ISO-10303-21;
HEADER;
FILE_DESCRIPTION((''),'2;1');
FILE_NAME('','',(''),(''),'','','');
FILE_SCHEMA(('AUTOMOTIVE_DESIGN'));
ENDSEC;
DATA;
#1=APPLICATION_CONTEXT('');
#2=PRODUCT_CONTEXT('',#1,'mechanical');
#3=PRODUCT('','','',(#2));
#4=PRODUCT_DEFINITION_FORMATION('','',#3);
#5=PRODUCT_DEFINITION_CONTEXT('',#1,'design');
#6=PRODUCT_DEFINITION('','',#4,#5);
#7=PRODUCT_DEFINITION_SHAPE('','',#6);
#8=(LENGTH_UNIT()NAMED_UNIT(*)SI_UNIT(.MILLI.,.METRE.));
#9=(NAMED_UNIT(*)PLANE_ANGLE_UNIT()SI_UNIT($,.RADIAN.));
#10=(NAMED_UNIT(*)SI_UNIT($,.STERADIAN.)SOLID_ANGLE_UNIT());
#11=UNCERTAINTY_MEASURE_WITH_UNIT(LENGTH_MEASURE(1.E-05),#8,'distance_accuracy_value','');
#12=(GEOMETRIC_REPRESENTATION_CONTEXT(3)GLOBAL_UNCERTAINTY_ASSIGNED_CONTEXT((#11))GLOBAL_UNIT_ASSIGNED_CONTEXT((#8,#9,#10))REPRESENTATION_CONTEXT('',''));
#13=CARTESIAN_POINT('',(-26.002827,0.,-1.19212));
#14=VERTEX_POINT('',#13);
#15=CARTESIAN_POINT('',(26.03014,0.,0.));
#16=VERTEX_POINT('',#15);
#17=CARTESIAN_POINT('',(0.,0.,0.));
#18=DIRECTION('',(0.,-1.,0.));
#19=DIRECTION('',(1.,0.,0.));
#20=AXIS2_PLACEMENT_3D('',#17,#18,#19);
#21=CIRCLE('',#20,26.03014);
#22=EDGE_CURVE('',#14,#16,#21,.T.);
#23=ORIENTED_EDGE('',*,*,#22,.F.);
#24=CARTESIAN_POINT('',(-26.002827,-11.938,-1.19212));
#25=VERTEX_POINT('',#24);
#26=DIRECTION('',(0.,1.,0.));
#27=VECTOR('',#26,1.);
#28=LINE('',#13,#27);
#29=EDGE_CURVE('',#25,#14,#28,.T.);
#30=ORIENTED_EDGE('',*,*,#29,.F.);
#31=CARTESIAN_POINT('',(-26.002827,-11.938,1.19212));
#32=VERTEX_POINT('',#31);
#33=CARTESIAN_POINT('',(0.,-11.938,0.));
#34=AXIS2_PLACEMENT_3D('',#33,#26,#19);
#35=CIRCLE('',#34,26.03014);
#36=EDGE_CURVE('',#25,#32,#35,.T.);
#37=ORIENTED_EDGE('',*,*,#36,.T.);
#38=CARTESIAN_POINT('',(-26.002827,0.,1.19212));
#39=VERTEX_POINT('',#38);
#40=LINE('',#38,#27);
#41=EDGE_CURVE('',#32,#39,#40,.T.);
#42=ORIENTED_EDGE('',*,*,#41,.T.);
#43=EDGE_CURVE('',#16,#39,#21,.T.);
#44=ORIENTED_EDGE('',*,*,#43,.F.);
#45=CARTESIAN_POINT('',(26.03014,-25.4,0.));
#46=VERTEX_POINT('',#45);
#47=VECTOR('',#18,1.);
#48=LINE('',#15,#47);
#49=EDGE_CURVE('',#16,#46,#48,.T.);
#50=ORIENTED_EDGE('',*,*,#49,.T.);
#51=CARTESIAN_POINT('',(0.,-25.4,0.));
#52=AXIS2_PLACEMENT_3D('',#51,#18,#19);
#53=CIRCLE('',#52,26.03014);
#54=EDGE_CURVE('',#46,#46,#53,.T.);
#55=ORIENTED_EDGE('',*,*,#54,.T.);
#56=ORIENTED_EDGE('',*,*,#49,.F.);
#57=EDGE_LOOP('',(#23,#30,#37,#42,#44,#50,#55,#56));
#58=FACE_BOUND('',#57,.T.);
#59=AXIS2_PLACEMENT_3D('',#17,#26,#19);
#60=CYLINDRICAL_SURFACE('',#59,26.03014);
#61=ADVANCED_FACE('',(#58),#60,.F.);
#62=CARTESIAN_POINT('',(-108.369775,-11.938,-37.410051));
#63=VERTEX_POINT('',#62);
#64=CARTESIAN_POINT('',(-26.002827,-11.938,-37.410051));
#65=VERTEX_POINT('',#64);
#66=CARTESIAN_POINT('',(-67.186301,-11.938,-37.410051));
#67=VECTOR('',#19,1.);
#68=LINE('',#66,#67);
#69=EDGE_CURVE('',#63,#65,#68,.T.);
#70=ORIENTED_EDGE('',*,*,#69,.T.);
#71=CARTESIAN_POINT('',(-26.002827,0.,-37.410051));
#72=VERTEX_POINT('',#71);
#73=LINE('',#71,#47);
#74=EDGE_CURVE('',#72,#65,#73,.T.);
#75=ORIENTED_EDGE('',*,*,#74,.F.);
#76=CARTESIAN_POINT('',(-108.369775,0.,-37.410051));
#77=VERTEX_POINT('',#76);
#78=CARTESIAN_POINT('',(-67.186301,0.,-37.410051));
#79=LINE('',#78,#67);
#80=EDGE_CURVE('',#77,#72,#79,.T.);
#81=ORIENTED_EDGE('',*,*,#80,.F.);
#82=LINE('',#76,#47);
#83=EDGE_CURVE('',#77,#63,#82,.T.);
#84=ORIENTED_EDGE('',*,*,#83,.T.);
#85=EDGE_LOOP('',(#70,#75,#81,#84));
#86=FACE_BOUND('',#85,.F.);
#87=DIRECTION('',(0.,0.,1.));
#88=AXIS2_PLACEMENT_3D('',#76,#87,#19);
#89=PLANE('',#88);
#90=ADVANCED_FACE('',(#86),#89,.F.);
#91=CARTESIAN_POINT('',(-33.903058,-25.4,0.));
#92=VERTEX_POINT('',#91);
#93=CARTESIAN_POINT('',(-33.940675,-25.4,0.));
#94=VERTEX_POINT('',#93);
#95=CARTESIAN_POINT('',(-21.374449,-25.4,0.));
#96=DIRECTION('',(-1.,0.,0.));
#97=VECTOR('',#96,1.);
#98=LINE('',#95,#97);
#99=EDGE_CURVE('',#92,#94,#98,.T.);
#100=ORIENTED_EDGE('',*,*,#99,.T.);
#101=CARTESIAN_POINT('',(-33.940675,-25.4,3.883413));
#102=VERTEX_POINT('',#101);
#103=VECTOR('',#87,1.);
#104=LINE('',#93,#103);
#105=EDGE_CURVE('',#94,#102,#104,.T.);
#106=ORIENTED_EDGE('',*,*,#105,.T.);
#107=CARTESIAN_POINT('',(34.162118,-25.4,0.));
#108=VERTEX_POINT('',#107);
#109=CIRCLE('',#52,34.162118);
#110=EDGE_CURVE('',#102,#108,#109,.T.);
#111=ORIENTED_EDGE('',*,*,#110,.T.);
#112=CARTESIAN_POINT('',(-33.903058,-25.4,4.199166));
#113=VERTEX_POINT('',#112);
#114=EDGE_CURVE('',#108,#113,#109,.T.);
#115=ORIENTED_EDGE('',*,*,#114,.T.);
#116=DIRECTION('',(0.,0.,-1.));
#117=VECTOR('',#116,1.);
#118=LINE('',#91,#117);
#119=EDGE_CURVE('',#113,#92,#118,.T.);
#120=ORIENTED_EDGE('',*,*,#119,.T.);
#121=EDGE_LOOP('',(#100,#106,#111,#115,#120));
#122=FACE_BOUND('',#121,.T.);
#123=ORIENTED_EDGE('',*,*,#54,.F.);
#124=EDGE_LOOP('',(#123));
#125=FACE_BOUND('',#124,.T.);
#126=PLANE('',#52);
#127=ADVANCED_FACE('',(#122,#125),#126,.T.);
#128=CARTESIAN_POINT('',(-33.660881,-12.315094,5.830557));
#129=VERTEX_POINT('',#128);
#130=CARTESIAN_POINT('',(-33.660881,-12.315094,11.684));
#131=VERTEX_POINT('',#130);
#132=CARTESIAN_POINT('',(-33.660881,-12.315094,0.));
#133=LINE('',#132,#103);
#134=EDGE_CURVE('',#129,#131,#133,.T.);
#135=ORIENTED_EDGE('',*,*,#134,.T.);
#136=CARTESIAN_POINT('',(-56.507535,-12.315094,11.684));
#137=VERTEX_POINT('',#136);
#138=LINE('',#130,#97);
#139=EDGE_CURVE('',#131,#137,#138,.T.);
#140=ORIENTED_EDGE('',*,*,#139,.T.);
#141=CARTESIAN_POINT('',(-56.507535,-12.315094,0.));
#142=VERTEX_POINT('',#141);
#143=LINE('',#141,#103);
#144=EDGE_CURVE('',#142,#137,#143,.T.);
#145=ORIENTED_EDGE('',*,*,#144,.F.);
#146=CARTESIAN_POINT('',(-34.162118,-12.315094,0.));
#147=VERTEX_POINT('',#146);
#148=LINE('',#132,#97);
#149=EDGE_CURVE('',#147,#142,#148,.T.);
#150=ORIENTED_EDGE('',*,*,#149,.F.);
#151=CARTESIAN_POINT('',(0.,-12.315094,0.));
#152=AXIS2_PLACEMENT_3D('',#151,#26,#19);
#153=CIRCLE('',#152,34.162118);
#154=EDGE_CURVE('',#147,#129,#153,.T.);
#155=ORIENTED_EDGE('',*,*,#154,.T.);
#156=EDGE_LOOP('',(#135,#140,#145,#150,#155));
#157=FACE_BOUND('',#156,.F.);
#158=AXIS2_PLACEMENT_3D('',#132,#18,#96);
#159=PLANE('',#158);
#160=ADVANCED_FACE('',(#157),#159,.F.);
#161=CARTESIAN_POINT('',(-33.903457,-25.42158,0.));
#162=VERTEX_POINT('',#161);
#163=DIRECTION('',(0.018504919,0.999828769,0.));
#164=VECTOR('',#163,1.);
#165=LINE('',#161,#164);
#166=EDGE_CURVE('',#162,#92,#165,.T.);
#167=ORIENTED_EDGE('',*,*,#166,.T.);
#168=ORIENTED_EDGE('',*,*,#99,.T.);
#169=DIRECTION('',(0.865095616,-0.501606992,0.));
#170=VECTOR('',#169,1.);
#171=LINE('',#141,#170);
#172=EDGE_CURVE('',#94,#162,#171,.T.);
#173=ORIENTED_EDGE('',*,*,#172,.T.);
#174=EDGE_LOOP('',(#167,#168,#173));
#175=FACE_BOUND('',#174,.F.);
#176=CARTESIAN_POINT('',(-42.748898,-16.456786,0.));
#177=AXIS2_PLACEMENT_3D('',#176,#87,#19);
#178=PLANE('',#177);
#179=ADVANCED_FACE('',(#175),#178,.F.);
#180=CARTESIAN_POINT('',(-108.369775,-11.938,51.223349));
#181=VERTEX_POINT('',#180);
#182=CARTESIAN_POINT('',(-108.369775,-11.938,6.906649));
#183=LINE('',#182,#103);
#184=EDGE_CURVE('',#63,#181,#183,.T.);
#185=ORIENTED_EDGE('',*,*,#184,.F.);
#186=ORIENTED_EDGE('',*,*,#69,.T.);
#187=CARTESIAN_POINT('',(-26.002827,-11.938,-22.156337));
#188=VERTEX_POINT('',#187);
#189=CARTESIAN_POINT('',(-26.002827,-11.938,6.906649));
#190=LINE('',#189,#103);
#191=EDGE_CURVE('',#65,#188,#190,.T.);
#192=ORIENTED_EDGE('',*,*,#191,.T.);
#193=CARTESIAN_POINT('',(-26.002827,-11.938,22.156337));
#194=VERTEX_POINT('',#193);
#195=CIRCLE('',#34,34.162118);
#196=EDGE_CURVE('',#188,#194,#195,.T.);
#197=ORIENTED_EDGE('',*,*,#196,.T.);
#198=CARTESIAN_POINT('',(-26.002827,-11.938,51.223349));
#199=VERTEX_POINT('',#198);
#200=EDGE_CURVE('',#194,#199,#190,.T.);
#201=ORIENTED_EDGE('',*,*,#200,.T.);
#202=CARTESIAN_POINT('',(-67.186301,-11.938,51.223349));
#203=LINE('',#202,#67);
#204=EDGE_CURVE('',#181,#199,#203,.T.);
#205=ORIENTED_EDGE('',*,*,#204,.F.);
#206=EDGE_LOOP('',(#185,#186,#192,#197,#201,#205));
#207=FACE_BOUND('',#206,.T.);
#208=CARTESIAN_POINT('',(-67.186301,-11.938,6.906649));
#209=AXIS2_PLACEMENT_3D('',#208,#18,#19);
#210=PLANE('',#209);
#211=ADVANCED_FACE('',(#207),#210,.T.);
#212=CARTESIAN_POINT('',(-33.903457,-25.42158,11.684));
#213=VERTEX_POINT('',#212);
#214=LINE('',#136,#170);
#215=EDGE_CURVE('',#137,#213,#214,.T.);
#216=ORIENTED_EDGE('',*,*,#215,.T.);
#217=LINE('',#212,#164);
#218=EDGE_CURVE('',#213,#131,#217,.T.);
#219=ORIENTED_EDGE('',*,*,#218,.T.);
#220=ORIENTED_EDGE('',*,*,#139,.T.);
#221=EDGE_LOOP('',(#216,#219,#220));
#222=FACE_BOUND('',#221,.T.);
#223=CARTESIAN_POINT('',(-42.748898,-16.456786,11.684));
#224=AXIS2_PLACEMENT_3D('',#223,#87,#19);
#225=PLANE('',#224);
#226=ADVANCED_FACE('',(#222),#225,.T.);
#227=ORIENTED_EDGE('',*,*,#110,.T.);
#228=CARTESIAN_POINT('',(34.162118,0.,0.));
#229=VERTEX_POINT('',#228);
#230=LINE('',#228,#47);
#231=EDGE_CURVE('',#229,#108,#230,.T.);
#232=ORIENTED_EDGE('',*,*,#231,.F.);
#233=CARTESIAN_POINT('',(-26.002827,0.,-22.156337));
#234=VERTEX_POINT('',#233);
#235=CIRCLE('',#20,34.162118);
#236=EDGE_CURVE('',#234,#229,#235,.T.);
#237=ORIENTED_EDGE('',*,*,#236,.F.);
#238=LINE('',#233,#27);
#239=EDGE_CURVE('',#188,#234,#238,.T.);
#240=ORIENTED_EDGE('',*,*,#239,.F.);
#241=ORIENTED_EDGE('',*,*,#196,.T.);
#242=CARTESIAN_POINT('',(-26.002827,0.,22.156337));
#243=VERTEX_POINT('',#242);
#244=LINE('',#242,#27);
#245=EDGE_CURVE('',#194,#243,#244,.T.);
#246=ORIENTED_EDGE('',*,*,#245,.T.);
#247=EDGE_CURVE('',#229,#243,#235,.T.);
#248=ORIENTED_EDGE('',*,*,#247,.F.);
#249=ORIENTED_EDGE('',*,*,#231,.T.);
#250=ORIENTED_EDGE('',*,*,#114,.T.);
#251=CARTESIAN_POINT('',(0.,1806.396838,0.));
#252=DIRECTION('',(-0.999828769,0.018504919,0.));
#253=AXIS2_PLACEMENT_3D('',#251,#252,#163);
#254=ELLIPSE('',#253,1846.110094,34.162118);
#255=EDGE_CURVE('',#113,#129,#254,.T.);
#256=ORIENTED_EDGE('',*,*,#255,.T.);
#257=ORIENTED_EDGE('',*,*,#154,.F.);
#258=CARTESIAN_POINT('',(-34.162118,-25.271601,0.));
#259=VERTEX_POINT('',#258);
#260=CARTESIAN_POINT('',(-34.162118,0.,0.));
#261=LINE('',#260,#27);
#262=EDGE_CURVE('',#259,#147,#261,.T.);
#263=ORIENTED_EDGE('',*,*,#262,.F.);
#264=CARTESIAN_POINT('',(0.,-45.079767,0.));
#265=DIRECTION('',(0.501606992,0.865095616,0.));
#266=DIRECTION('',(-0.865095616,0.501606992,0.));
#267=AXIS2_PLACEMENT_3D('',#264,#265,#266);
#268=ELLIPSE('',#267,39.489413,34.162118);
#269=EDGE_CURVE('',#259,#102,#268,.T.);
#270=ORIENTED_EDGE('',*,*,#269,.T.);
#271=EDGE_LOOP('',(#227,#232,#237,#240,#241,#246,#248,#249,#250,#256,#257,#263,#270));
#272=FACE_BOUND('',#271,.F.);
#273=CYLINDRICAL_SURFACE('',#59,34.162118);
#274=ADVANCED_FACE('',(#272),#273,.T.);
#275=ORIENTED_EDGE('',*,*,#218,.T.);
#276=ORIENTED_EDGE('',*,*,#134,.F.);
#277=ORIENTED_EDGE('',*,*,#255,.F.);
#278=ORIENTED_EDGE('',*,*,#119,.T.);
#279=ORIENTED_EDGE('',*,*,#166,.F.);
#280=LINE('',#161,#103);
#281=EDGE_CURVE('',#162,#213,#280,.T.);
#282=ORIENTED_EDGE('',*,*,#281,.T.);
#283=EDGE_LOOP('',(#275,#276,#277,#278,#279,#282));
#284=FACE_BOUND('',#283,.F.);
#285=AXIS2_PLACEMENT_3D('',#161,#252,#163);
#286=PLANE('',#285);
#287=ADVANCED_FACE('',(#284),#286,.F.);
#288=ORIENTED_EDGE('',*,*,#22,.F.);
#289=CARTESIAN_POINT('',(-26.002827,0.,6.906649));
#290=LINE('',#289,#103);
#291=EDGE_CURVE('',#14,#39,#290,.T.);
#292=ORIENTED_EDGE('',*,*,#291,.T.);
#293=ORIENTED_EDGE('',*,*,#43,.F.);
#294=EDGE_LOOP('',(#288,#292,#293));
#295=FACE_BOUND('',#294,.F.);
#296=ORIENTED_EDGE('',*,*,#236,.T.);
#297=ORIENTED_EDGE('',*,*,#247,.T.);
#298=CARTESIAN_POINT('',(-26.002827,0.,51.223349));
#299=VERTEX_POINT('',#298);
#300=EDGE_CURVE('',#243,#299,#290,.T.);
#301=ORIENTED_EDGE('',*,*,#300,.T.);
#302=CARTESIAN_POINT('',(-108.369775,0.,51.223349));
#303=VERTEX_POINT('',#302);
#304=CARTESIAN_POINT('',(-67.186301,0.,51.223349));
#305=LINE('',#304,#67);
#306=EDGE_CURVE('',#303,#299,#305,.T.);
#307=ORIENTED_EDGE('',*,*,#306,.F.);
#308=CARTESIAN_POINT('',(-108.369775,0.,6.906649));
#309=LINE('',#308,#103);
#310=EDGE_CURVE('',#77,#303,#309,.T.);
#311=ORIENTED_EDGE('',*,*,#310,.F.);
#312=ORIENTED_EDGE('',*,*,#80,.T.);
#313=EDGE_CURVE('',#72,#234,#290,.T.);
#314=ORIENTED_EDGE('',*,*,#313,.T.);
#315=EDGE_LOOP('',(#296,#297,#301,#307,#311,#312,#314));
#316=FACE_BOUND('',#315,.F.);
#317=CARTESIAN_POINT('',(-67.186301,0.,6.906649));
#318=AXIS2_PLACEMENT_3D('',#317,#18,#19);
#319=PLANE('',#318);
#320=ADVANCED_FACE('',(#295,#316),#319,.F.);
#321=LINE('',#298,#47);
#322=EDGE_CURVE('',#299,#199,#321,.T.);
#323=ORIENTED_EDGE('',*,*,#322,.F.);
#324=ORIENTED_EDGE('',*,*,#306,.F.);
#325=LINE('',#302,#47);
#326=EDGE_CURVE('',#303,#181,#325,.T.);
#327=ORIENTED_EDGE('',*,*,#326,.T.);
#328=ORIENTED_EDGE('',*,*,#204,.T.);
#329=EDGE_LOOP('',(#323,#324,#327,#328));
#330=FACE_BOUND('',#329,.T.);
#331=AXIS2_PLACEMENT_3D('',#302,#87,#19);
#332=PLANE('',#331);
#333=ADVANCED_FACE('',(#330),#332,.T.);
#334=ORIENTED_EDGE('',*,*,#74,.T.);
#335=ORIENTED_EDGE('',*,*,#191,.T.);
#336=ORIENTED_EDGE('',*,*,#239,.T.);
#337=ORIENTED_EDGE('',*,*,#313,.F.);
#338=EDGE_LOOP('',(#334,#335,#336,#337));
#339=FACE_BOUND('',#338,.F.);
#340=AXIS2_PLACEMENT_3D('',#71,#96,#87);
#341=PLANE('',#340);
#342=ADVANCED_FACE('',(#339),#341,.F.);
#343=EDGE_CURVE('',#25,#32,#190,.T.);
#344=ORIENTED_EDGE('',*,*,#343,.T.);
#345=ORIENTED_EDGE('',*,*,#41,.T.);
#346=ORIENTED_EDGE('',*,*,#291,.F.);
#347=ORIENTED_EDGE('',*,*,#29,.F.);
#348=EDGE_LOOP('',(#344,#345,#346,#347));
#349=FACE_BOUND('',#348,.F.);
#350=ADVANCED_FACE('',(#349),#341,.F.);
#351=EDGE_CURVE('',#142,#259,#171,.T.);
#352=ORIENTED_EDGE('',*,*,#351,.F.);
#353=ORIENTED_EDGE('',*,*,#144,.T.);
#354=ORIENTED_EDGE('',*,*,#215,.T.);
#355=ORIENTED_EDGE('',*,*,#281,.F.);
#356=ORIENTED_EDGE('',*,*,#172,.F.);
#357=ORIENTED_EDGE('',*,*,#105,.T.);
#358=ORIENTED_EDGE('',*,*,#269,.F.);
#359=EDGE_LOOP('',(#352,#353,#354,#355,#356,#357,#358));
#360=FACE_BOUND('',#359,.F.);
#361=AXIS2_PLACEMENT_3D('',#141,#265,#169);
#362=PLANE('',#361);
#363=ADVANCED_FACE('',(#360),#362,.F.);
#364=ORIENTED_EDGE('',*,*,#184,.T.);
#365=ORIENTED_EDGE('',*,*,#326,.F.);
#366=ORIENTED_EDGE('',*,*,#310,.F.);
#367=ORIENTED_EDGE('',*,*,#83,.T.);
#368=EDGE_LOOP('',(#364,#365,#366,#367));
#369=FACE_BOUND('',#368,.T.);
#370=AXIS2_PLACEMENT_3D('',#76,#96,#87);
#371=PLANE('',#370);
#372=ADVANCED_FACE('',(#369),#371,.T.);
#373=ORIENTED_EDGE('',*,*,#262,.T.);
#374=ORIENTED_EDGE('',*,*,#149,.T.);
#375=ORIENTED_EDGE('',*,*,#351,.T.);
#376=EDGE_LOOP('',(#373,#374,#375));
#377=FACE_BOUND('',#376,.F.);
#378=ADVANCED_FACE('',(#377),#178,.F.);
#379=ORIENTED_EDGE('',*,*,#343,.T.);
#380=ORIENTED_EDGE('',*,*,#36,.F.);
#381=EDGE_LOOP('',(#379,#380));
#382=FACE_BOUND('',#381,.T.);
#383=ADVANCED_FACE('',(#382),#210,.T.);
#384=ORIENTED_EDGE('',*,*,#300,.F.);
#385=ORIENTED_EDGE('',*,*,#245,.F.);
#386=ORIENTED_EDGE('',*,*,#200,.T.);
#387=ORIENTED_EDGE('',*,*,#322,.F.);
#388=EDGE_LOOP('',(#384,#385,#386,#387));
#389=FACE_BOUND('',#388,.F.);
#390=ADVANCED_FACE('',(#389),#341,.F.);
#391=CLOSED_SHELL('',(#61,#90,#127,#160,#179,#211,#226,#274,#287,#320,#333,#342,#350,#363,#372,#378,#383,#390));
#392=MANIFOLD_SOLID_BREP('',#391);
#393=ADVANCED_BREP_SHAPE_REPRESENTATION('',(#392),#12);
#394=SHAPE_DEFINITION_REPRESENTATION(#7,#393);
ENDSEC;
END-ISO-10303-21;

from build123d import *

# Parameters (mm, degrees)
F0_R     = 34.162118
F0_R_2   = 26.03014
F1_DEPTH = 25.4
F2_W     = 82.366947
F2_H     = 88.6334
F3_DEPTH = 11.938
F5_DEPTH = 11.684


with BuildPart() as f1:
    # F0 (on Front) → F1 (new body)
    with BuildSketch(Plane.XZ):
        Circle(F0_R)
        Circle(F0_R_2, mode=Mode.SUBTRACT)
    extrude(amount=F1_DEPTH)

    # F2 (on Front) → F3 (join)
    with BuildSketch(Plane.XZ):
        with Locations((-67.186301, 6.906649)):
            Rectangle(F2_W, F2_H)
    extrude(amount=F3_DEPTH)

    # F4 (on Top) → F5 (join)
    with BuildSketch(Plane.XY):
        Polygon((-56.507535, -12.315094), (-33.903457, -25.42158), (-33.660881, -12.315094), align=None)
    extrude(amount=F5_DEPTH)


solid = f1.part
